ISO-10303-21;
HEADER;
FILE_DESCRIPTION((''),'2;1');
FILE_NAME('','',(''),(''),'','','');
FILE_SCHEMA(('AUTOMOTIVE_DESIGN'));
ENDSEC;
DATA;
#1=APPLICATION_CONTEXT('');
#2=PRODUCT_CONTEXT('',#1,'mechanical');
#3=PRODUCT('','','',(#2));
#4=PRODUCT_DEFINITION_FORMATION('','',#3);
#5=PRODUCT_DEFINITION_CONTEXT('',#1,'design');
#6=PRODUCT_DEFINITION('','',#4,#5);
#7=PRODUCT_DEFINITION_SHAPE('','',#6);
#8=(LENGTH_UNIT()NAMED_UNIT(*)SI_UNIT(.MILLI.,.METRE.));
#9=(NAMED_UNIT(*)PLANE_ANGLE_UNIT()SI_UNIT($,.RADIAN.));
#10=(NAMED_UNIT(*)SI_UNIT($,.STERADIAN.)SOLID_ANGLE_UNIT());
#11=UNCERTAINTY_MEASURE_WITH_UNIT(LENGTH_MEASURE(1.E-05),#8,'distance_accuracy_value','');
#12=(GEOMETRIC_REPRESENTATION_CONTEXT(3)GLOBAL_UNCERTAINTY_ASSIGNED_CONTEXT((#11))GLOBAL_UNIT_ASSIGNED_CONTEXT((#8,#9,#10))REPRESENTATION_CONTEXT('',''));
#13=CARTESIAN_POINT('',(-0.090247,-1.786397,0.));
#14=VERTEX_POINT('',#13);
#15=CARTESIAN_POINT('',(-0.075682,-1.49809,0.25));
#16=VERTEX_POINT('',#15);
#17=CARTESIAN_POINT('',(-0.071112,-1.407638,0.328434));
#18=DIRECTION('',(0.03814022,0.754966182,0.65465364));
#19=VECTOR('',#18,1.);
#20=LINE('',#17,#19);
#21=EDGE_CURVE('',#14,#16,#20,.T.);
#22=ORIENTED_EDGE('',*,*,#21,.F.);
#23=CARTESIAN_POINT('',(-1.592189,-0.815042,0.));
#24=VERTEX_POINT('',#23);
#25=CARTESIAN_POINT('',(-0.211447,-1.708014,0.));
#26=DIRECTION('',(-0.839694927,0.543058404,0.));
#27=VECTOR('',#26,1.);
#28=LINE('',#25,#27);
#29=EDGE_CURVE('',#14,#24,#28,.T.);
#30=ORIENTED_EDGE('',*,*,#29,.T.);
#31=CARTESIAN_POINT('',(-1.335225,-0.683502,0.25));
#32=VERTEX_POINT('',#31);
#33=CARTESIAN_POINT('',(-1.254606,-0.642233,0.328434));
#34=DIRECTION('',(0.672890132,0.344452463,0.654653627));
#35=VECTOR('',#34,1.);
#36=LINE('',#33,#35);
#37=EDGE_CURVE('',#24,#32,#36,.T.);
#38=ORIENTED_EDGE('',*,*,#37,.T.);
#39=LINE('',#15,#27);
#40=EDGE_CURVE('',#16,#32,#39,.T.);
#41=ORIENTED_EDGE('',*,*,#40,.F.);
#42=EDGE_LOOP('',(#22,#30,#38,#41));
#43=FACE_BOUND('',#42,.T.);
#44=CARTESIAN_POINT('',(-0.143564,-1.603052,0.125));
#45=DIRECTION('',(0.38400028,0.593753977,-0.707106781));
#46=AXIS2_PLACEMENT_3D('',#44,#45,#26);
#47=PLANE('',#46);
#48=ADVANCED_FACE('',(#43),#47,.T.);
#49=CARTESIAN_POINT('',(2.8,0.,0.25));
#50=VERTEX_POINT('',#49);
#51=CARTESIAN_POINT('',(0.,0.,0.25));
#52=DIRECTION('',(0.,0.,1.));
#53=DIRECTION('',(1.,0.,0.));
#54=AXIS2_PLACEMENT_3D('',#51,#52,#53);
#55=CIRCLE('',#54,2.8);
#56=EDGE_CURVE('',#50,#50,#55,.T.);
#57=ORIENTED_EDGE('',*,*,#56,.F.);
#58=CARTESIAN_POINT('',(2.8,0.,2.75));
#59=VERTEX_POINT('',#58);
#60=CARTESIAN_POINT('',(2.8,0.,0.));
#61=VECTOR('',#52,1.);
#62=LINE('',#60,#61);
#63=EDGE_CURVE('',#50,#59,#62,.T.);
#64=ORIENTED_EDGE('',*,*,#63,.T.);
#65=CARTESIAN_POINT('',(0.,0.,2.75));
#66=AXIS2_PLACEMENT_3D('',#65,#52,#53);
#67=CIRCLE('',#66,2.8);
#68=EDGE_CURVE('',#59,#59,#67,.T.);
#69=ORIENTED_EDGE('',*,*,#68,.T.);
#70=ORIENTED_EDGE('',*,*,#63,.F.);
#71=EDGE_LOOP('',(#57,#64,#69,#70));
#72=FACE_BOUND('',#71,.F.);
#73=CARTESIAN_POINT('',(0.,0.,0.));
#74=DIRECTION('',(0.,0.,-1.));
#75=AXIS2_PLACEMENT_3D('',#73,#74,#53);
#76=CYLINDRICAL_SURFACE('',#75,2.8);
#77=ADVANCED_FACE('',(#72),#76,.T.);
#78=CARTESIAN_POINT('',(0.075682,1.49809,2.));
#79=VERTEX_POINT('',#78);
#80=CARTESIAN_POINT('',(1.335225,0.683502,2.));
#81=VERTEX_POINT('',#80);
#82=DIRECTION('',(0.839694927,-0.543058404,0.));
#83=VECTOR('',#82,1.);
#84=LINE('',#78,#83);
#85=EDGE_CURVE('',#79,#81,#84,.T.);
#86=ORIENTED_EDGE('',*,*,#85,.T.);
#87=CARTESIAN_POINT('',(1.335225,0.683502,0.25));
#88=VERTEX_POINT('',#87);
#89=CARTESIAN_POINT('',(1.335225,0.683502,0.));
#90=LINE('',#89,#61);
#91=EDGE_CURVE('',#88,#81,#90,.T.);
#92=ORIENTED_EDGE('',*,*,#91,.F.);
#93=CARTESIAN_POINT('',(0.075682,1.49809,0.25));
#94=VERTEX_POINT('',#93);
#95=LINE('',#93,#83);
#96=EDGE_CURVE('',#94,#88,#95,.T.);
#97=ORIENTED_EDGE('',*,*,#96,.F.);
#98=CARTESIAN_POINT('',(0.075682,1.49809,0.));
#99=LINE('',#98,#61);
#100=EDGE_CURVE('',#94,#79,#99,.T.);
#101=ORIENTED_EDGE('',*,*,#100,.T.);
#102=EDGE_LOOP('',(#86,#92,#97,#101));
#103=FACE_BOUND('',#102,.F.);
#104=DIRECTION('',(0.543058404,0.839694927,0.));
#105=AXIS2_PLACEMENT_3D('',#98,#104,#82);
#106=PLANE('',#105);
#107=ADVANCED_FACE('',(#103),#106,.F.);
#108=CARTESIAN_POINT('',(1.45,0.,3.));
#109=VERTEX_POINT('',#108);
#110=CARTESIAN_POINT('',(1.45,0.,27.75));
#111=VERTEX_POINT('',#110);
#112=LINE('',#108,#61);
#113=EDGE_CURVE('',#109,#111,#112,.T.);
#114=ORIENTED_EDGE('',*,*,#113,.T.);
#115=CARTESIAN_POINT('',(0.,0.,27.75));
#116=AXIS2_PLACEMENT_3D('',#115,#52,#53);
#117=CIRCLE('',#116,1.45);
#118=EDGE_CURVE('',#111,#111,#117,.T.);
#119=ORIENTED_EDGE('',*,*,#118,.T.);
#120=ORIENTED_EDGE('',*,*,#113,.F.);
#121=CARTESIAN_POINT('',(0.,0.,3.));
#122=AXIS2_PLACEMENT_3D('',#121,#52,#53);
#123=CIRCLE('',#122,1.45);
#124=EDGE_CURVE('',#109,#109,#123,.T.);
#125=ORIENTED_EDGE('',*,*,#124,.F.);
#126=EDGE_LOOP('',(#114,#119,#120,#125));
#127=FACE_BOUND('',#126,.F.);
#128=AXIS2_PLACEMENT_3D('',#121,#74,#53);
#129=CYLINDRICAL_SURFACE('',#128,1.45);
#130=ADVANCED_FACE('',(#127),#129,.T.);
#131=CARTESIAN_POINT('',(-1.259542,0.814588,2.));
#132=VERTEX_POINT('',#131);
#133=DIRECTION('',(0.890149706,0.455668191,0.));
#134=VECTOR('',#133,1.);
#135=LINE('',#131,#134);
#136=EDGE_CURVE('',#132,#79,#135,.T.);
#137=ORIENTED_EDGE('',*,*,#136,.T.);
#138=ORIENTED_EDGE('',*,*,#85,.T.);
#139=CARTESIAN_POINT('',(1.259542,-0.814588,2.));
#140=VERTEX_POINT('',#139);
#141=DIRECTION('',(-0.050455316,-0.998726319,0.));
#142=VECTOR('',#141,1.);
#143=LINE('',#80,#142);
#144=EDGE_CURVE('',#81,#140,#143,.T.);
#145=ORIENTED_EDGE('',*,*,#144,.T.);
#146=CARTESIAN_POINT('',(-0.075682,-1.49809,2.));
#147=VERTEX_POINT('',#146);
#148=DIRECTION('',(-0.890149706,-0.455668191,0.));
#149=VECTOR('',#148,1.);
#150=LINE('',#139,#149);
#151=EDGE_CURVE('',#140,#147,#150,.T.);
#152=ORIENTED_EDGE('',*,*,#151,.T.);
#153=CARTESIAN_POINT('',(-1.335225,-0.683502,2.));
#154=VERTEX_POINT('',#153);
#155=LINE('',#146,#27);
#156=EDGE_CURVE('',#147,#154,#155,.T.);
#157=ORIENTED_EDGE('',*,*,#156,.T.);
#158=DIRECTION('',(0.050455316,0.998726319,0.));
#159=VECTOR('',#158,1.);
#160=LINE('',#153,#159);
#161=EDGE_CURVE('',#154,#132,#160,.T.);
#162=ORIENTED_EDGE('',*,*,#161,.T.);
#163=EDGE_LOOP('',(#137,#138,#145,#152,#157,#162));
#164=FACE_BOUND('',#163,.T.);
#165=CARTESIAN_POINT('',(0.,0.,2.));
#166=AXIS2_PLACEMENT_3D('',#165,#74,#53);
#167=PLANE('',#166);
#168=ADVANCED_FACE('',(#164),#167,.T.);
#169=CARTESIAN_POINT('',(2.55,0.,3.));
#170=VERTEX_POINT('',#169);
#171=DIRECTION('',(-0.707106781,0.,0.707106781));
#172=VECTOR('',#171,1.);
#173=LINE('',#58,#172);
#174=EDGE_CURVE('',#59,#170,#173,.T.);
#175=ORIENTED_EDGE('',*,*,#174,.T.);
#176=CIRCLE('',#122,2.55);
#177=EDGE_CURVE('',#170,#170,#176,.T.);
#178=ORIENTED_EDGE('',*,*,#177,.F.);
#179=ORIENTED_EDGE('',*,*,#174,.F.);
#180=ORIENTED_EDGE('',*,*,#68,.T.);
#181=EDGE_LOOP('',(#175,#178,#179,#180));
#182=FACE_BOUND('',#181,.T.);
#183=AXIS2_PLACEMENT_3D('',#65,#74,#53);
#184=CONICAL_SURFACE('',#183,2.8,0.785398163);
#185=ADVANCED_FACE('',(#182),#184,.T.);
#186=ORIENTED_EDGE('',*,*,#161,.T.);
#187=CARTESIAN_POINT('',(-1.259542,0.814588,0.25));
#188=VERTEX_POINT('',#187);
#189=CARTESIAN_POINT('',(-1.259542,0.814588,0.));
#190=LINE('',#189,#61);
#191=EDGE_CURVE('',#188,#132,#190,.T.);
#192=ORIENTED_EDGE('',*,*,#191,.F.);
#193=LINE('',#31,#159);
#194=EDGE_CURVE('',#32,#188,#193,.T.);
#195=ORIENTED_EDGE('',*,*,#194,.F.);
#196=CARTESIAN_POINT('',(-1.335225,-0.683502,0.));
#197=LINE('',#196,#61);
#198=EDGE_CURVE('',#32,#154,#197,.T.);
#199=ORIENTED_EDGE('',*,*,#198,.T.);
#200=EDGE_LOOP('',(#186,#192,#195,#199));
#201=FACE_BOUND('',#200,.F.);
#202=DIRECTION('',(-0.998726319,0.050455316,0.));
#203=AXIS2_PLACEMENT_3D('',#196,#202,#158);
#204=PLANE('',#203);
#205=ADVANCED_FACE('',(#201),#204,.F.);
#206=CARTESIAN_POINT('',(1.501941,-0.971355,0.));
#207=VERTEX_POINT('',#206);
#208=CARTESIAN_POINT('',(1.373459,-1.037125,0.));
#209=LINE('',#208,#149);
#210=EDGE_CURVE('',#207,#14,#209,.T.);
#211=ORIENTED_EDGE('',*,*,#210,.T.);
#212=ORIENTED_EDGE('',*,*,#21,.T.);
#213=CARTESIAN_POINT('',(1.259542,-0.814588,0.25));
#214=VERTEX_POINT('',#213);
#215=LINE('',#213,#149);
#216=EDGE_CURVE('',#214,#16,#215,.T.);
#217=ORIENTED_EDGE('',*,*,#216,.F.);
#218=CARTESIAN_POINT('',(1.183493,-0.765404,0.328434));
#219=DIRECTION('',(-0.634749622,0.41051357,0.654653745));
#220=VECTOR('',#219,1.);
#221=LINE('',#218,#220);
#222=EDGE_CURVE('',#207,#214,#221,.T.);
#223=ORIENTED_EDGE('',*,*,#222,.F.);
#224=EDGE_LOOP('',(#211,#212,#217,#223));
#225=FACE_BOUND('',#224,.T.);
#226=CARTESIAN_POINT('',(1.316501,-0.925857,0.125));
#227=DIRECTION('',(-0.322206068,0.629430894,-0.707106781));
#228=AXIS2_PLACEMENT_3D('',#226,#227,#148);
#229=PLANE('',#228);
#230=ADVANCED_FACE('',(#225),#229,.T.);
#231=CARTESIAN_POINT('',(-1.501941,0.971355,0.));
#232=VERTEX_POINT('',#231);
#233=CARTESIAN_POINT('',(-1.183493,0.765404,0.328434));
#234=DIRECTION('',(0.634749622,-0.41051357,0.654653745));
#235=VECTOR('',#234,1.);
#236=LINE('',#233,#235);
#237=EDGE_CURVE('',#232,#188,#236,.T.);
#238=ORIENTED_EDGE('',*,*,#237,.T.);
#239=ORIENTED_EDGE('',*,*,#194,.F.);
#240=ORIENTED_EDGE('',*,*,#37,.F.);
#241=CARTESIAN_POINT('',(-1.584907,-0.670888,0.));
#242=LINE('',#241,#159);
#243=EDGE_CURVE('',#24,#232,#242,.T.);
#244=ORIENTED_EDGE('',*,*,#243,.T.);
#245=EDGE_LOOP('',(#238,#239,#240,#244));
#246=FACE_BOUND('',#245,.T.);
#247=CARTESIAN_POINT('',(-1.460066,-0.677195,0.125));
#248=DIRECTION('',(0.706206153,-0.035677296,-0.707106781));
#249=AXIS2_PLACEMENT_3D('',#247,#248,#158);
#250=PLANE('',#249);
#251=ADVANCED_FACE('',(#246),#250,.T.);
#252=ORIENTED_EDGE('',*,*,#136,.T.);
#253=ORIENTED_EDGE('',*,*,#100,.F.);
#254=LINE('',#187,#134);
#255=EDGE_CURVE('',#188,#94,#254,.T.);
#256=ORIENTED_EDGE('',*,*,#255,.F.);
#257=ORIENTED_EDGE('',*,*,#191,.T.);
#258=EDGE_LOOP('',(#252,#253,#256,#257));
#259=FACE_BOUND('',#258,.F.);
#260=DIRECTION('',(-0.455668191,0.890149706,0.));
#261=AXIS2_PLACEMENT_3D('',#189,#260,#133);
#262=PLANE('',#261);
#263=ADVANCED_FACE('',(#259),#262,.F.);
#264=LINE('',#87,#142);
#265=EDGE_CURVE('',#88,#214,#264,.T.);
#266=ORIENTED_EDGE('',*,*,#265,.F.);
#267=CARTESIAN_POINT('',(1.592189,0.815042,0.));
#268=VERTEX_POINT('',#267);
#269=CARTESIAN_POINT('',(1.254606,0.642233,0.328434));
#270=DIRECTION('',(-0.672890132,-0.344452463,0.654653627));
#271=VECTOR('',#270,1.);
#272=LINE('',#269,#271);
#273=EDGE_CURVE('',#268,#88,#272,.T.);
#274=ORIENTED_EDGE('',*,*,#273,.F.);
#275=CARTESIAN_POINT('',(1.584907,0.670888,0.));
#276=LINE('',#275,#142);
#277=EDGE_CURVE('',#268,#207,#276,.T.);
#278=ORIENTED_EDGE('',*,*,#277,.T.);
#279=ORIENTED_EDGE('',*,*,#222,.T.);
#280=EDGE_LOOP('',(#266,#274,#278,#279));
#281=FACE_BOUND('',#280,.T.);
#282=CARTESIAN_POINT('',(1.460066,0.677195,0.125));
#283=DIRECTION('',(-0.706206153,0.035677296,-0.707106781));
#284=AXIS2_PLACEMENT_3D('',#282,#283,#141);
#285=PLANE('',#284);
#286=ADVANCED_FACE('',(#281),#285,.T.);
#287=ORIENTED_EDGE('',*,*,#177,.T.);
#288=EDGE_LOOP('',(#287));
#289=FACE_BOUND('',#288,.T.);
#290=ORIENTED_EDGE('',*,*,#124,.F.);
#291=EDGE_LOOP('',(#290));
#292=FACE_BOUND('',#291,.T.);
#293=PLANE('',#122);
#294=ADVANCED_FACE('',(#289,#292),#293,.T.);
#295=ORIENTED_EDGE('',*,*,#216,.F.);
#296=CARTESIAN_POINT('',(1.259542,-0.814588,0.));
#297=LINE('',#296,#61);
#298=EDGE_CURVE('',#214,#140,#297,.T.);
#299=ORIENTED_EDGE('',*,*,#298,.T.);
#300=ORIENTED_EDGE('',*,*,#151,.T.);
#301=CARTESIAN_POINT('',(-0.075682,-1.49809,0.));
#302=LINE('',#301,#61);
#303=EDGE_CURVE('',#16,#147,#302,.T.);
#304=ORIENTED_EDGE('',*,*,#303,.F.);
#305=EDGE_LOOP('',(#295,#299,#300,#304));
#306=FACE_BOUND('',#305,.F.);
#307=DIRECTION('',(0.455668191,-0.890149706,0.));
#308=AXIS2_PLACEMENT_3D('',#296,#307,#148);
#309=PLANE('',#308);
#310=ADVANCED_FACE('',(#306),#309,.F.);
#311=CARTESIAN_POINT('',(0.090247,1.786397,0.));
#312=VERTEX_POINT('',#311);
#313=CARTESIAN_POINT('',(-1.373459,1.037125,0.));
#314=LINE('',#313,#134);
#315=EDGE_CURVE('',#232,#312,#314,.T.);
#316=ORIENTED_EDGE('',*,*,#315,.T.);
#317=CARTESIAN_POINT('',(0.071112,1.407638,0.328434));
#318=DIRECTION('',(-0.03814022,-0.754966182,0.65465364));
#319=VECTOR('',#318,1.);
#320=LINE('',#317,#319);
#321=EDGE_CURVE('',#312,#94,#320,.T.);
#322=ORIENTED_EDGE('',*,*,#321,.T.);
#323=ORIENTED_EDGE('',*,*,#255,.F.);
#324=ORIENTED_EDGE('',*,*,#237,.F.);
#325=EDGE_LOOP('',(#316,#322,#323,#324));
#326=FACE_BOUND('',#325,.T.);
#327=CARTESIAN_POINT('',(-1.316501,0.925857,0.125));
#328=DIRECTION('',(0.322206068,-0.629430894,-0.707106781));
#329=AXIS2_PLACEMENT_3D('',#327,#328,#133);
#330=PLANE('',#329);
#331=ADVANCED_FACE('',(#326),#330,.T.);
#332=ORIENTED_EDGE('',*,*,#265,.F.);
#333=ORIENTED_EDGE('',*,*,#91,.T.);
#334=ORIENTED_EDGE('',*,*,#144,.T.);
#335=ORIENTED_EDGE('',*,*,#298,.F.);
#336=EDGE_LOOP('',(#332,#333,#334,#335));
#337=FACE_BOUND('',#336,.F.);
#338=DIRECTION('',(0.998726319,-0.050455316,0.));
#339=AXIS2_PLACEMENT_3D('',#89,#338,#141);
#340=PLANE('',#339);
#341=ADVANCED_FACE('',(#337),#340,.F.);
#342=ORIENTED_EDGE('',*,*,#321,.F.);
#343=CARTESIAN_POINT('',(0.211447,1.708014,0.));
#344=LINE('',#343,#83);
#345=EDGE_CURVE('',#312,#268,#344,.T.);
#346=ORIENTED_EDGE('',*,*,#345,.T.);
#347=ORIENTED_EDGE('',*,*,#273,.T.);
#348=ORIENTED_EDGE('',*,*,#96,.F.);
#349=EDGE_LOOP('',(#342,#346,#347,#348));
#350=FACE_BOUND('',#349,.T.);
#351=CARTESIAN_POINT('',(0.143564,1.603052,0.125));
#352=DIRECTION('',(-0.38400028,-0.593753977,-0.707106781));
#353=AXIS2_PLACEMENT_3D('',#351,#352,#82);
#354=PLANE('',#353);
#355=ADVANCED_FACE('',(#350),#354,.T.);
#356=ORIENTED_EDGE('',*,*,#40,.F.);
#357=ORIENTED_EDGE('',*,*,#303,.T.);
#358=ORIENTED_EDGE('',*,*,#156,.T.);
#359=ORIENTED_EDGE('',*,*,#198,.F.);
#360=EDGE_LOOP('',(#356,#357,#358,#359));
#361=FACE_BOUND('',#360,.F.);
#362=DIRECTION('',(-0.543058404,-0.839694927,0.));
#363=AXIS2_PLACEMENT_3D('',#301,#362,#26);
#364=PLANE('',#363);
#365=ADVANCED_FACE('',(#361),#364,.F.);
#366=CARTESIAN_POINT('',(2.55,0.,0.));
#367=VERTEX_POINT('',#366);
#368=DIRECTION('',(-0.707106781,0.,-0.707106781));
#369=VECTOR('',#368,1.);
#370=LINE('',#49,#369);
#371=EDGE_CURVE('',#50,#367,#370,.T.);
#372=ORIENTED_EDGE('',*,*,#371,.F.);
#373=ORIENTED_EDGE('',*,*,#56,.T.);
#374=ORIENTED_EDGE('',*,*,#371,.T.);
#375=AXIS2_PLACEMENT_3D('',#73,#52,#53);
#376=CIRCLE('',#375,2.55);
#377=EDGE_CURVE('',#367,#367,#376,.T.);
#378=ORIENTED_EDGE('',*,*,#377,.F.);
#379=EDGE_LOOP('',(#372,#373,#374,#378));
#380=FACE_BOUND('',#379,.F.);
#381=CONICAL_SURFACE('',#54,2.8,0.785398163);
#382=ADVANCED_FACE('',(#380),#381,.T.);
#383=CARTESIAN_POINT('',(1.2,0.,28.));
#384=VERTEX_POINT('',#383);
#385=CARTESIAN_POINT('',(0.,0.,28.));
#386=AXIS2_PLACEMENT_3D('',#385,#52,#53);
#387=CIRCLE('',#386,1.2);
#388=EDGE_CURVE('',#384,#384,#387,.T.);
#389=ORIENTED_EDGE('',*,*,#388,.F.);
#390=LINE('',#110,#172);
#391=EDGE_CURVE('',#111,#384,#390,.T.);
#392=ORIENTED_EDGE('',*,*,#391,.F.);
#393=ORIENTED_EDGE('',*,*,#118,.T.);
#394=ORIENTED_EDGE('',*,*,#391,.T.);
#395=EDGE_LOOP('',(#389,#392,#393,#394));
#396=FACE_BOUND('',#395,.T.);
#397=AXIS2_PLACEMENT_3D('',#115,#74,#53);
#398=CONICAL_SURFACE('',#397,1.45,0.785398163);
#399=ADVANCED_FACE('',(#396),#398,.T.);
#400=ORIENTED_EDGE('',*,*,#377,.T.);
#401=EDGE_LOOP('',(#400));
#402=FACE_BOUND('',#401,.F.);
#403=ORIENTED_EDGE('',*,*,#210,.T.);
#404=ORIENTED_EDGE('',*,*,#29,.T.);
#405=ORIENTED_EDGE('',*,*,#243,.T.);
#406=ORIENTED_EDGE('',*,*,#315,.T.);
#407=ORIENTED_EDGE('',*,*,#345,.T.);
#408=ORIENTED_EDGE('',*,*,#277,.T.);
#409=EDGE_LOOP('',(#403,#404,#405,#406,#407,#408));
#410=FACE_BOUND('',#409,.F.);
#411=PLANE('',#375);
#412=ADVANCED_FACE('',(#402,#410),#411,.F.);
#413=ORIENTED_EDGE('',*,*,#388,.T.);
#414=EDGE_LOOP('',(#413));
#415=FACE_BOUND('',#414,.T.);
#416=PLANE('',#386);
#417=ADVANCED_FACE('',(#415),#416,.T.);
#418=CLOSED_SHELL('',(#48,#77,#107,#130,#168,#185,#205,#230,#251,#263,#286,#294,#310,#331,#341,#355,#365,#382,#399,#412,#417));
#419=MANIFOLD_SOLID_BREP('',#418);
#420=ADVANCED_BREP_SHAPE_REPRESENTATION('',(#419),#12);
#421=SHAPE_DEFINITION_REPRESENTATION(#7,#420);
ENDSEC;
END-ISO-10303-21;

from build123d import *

# Parameters (mm, degrees)
SKETCH_R     = 2.8
PAD_DEPTH    = 3
SKETCH001_R  = 1.45
PAD001_DEPTH = 25
POCKET_DEPTH = 2
CHAMFER_SIZE = 0.25


with BuildPart() as part:
    # Sketch → Pad (new body)
    with BuildSketch(Plane.XY):
        Circle(SKETCH_R)
    extrude(amount=PAD_DEPTH)

    # Sketch001 (on Face3 of Pad) → Pad001 (join)
    with BuildSketch(Plane.XY.offset(3)):
        Circle(SKETCH001_R)
    extrude(amount=PAD001_DEPTH)

    # Sketch002 (on Face2 of Pad001) → Pocket (cut)
    with BuildSketch(Plane(origin=(0, 0, 0), x_dir=(1, 0, 0), z_dir=(0, 0, -1))):
        Polygon((1.259542, 0.814588), (-0.075682, 1.49809), (-1.335225, 0.683502), (-1.259542, -0.814588), (0.075682, -1.49809), (1.335225, -0.683502), align=None)
    extrude(amount=-POCKET_DEPTH, mode=Mode.SUBTRACT)

    # Chamfer
    chamfer_edges = [part.edges().sort_by_distance(p)[0] for p in [
        (-2.8, 0, 3),
        (-2.8, 0, 0),
        (1.297384, -0.065543, 0),
        (0.705454, 1.090796, 0),
        (-0.59193, 1.156339, 0),
        (-1.297384, 0.065543, 0),
        (-0.705454, -1.090796, 0),
        (0.59193, -1.156339, 0),
        (-1.45, 0, 28),
    ]]
    chamfer(chamfer_edges, length=CHAMFER_SIZE)


solid = part.part
